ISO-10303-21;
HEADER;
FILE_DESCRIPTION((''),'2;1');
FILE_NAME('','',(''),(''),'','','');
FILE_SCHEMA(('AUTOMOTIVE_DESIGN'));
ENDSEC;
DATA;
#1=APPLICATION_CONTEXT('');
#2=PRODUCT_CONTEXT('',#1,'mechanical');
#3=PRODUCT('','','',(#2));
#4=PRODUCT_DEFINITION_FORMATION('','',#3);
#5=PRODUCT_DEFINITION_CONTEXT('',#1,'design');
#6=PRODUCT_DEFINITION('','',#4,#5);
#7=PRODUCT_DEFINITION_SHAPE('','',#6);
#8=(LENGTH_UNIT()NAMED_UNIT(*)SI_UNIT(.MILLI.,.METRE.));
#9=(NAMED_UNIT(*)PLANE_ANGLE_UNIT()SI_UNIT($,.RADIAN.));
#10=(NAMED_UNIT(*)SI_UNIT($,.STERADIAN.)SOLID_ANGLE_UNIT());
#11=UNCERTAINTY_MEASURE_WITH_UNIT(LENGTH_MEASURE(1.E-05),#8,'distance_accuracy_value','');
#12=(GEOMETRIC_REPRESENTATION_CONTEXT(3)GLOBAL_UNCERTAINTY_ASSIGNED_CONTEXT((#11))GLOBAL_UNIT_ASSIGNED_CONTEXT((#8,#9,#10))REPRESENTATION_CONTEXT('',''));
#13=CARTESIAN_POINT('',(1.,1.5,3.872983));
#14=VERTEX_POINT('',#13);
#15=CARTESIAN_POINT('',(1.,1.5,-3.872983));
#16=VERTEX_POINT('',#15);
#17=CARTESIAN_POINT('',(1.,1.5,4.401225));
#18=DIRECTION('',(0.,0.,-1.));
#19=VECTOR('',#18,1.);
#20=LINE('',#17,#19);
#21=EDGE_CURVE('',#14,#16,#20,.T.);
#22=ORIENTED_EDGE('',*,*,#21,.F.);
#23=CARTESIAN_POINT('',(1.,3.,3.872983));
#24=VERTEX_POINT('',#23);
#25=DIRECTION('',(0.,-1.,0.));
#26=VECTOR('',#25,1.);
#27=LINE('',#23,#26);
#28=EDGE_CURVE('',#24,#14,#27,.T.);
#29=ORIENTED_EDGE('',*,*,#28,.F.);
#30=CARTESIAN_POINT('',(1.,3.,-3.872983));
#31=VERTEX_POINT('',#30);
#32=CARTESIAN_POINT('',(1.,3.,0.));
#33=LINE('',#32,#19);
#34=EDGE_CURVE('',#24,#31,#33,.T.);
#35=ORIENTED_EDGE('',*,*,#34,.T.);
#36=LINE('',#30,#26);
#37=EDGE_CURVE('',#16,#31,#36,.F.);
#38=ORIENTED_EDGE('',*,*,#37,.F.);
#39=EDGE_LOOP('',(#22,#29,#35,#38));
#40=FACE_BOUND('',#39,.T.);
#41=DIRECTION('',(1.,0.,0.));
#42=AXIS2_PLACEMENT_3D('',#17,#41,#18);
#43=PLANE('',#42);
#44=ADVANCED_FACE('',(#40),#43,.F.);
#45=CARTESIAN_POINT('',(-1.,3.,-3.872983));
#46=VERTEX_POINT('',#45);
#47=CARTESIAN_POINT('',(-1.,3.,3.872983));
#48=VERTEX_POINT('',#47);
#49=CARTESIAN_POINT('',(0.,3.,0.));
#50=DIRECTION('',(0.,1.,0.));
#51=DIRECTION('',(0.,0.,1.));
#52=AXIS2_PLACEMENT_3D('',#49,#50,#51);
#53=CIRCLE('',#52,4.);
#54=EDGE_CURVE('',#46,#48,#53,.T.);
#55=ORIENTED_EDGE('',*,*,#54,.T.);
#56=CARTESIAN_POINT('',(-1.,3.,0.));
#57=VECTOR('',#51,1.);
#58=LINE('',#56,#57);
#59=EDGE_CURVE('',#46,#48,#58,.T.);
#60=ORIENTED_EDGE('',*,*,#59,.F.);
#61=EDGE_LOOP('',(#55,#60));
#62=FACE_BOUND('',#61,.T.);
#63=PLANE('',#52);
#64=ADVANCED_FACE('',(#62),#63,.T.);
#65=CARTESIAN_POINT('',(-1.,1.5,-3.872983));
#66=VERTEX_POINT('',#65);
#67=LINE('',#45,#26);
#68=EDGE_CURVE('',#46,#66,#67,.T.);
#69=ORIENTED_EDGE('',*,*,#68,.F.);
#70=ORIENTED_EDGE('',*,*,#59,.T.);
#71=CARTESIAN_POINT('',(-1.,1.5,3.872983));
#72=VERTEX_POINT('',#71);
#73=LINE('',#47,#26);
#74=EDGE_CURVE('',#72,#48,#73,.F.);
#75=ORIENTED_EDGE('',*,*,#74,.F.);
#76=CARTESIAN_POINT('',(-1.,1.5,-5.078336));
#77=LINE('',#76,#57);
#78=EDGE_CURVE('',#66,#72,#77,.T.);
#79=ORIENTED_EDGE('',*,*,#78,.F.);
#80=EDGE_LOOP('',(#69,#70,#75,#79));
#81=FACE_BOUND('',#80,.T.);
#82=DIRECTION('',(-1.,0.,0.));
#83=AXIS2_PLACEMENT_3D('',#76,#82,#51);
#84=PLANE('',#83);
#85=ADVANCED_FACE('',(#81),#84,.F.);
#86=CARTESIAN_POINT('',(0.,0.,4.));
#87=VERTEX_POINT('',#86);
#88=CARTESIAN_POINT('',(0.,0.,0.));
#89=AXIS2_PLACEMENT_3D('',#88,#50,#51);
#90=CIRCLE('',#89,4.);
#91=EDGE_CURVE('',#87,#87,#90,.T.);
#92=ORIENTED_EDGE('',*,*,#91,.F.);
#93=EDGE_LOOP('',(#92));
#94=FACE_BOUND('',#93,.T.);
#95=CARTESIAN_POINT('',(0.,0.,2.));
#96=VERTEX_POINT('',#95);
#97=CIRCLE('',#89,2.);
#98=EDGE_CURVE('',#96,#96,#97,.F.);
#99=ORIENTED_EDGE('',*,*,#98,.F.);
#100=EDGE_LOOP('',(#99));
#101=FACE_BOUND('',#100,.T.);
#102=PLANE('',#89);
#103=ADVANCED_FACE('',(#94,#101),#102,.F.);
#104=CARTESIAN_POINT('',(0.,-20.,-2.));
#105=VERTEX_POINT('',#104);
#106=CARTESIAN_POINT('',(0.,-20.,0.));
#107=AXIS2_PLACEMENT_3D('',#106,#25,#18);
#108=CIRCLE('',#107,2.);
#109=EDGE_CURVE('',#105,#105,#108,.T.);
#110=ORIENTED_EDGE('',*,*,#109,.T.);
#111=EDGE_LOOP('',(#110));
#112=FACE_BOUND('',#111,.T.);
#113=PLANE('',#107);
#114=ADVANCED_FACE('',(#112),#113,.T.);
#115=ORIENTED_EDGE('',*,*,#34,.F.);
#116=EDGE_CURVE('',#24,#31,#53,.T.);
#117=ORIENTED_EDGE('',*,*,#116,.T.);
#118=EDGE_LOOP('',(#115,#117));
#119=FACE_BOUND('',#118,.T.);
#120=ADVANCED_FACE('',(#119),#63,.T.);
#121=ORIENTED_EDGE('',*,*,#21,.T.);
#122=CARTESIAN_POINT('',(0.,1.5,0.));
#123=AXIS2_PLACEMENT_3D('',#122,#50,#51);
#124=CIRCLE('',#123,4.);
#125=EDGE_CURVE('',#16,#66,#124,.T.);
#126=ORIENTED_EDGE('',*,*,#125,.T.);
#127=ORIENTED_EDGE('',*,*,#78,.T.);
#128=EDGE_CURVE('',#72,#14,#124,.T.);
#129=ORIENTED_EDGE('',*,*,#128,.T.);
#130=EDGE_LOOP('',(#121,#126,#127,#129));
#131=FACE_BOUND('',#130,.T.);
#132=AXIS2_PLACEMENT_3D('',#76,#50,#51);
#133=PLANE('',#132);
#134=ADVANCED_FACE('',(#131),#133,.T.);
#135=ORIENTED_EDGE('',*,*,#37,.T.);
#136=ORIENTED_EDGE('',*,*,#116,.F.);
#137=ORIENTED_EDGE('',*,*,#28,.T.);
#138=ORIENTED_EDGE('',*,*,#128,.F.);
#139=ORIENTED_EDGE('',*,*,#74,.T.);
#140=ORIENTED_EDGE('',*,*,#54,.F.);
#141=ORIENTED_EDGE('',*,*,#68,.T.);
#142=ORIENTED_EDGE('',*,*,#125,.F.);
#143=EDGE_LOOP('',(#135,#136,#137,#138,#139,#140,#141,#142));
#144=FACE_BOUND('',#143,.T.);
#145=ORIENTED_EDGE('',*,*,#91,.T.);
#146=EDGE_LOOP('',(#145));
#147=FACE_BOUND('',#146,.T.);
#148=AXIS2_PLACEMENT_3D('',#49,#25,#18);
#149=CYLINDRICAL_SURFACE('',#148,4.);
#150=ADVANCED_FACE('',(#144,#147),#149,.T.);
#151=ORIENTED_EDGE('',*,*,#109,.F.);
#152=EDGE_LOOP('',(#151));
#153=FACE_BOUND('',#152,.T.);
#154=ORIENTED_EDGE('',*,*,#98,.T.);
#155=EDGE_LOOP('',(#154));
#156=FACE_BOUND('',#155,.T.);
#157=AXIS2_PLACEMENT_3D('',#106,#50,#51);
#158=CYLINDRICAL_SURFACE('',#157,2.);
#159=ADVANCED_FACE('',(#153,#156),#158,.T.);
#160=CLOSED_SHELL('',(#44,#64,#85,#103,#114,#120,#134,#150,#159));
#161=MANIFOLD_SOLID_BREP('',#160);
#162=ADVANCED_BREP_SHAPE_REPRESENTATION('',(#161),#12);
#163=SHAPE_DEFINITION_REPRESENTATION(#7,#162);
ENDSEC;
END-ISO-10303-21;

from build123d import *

# Parameters (mm, degrees)
SKETCH1_R          = 4
EXTRUDE1_DEPTH     = 3
CUT_EXTRUDE1_DEPTH = 1.5
SKETCH3_R          = 2
EXTRUDE2_DEPTH     = 20


with BuildPart() as part:
    # Sketch1 → Extrude1 (new body)
    with BuildSketch(Plane(origin=(0, 0, 0), x_dir=(1, 0, 0), z_dir=(0, 1, 0))):
        with Locations(Location((0, 0, 0), (0, 0, 270))):  # turned: the seam where the file's is
            Circle(SKETCH1_R)
    extrude(amount=EXTRUDE1_DEPTH)

    # Sketch2 → Cut-Extrude1 (cut)
    with BuildSketch(Plane(origin=(0, 3, 0), x_dir=(-1, 0, 0), z_dir=(0, 1, 0))):
        Polygon((0, 4.401224563), (-1, 4.401224563), (-1, -5.078336035), (1, -5.078336035), (1, 4.401224563), align=None)
    extrude(amount=-CUT_EXTRUDE1_DEPTH, mode=Mode.SUBTRACT)

    # Sketch3 → Extrude2 (add)
    with BuildSketch(Plane.XZ):
        with Locations(Location((0, 0, 0), (0, 0, 90))):  # turned: the seam where the file's is
            Circle(SKETCH3_R)
    extrude(amount=EXTRUDE2_DEPTH)


solid = part.part
